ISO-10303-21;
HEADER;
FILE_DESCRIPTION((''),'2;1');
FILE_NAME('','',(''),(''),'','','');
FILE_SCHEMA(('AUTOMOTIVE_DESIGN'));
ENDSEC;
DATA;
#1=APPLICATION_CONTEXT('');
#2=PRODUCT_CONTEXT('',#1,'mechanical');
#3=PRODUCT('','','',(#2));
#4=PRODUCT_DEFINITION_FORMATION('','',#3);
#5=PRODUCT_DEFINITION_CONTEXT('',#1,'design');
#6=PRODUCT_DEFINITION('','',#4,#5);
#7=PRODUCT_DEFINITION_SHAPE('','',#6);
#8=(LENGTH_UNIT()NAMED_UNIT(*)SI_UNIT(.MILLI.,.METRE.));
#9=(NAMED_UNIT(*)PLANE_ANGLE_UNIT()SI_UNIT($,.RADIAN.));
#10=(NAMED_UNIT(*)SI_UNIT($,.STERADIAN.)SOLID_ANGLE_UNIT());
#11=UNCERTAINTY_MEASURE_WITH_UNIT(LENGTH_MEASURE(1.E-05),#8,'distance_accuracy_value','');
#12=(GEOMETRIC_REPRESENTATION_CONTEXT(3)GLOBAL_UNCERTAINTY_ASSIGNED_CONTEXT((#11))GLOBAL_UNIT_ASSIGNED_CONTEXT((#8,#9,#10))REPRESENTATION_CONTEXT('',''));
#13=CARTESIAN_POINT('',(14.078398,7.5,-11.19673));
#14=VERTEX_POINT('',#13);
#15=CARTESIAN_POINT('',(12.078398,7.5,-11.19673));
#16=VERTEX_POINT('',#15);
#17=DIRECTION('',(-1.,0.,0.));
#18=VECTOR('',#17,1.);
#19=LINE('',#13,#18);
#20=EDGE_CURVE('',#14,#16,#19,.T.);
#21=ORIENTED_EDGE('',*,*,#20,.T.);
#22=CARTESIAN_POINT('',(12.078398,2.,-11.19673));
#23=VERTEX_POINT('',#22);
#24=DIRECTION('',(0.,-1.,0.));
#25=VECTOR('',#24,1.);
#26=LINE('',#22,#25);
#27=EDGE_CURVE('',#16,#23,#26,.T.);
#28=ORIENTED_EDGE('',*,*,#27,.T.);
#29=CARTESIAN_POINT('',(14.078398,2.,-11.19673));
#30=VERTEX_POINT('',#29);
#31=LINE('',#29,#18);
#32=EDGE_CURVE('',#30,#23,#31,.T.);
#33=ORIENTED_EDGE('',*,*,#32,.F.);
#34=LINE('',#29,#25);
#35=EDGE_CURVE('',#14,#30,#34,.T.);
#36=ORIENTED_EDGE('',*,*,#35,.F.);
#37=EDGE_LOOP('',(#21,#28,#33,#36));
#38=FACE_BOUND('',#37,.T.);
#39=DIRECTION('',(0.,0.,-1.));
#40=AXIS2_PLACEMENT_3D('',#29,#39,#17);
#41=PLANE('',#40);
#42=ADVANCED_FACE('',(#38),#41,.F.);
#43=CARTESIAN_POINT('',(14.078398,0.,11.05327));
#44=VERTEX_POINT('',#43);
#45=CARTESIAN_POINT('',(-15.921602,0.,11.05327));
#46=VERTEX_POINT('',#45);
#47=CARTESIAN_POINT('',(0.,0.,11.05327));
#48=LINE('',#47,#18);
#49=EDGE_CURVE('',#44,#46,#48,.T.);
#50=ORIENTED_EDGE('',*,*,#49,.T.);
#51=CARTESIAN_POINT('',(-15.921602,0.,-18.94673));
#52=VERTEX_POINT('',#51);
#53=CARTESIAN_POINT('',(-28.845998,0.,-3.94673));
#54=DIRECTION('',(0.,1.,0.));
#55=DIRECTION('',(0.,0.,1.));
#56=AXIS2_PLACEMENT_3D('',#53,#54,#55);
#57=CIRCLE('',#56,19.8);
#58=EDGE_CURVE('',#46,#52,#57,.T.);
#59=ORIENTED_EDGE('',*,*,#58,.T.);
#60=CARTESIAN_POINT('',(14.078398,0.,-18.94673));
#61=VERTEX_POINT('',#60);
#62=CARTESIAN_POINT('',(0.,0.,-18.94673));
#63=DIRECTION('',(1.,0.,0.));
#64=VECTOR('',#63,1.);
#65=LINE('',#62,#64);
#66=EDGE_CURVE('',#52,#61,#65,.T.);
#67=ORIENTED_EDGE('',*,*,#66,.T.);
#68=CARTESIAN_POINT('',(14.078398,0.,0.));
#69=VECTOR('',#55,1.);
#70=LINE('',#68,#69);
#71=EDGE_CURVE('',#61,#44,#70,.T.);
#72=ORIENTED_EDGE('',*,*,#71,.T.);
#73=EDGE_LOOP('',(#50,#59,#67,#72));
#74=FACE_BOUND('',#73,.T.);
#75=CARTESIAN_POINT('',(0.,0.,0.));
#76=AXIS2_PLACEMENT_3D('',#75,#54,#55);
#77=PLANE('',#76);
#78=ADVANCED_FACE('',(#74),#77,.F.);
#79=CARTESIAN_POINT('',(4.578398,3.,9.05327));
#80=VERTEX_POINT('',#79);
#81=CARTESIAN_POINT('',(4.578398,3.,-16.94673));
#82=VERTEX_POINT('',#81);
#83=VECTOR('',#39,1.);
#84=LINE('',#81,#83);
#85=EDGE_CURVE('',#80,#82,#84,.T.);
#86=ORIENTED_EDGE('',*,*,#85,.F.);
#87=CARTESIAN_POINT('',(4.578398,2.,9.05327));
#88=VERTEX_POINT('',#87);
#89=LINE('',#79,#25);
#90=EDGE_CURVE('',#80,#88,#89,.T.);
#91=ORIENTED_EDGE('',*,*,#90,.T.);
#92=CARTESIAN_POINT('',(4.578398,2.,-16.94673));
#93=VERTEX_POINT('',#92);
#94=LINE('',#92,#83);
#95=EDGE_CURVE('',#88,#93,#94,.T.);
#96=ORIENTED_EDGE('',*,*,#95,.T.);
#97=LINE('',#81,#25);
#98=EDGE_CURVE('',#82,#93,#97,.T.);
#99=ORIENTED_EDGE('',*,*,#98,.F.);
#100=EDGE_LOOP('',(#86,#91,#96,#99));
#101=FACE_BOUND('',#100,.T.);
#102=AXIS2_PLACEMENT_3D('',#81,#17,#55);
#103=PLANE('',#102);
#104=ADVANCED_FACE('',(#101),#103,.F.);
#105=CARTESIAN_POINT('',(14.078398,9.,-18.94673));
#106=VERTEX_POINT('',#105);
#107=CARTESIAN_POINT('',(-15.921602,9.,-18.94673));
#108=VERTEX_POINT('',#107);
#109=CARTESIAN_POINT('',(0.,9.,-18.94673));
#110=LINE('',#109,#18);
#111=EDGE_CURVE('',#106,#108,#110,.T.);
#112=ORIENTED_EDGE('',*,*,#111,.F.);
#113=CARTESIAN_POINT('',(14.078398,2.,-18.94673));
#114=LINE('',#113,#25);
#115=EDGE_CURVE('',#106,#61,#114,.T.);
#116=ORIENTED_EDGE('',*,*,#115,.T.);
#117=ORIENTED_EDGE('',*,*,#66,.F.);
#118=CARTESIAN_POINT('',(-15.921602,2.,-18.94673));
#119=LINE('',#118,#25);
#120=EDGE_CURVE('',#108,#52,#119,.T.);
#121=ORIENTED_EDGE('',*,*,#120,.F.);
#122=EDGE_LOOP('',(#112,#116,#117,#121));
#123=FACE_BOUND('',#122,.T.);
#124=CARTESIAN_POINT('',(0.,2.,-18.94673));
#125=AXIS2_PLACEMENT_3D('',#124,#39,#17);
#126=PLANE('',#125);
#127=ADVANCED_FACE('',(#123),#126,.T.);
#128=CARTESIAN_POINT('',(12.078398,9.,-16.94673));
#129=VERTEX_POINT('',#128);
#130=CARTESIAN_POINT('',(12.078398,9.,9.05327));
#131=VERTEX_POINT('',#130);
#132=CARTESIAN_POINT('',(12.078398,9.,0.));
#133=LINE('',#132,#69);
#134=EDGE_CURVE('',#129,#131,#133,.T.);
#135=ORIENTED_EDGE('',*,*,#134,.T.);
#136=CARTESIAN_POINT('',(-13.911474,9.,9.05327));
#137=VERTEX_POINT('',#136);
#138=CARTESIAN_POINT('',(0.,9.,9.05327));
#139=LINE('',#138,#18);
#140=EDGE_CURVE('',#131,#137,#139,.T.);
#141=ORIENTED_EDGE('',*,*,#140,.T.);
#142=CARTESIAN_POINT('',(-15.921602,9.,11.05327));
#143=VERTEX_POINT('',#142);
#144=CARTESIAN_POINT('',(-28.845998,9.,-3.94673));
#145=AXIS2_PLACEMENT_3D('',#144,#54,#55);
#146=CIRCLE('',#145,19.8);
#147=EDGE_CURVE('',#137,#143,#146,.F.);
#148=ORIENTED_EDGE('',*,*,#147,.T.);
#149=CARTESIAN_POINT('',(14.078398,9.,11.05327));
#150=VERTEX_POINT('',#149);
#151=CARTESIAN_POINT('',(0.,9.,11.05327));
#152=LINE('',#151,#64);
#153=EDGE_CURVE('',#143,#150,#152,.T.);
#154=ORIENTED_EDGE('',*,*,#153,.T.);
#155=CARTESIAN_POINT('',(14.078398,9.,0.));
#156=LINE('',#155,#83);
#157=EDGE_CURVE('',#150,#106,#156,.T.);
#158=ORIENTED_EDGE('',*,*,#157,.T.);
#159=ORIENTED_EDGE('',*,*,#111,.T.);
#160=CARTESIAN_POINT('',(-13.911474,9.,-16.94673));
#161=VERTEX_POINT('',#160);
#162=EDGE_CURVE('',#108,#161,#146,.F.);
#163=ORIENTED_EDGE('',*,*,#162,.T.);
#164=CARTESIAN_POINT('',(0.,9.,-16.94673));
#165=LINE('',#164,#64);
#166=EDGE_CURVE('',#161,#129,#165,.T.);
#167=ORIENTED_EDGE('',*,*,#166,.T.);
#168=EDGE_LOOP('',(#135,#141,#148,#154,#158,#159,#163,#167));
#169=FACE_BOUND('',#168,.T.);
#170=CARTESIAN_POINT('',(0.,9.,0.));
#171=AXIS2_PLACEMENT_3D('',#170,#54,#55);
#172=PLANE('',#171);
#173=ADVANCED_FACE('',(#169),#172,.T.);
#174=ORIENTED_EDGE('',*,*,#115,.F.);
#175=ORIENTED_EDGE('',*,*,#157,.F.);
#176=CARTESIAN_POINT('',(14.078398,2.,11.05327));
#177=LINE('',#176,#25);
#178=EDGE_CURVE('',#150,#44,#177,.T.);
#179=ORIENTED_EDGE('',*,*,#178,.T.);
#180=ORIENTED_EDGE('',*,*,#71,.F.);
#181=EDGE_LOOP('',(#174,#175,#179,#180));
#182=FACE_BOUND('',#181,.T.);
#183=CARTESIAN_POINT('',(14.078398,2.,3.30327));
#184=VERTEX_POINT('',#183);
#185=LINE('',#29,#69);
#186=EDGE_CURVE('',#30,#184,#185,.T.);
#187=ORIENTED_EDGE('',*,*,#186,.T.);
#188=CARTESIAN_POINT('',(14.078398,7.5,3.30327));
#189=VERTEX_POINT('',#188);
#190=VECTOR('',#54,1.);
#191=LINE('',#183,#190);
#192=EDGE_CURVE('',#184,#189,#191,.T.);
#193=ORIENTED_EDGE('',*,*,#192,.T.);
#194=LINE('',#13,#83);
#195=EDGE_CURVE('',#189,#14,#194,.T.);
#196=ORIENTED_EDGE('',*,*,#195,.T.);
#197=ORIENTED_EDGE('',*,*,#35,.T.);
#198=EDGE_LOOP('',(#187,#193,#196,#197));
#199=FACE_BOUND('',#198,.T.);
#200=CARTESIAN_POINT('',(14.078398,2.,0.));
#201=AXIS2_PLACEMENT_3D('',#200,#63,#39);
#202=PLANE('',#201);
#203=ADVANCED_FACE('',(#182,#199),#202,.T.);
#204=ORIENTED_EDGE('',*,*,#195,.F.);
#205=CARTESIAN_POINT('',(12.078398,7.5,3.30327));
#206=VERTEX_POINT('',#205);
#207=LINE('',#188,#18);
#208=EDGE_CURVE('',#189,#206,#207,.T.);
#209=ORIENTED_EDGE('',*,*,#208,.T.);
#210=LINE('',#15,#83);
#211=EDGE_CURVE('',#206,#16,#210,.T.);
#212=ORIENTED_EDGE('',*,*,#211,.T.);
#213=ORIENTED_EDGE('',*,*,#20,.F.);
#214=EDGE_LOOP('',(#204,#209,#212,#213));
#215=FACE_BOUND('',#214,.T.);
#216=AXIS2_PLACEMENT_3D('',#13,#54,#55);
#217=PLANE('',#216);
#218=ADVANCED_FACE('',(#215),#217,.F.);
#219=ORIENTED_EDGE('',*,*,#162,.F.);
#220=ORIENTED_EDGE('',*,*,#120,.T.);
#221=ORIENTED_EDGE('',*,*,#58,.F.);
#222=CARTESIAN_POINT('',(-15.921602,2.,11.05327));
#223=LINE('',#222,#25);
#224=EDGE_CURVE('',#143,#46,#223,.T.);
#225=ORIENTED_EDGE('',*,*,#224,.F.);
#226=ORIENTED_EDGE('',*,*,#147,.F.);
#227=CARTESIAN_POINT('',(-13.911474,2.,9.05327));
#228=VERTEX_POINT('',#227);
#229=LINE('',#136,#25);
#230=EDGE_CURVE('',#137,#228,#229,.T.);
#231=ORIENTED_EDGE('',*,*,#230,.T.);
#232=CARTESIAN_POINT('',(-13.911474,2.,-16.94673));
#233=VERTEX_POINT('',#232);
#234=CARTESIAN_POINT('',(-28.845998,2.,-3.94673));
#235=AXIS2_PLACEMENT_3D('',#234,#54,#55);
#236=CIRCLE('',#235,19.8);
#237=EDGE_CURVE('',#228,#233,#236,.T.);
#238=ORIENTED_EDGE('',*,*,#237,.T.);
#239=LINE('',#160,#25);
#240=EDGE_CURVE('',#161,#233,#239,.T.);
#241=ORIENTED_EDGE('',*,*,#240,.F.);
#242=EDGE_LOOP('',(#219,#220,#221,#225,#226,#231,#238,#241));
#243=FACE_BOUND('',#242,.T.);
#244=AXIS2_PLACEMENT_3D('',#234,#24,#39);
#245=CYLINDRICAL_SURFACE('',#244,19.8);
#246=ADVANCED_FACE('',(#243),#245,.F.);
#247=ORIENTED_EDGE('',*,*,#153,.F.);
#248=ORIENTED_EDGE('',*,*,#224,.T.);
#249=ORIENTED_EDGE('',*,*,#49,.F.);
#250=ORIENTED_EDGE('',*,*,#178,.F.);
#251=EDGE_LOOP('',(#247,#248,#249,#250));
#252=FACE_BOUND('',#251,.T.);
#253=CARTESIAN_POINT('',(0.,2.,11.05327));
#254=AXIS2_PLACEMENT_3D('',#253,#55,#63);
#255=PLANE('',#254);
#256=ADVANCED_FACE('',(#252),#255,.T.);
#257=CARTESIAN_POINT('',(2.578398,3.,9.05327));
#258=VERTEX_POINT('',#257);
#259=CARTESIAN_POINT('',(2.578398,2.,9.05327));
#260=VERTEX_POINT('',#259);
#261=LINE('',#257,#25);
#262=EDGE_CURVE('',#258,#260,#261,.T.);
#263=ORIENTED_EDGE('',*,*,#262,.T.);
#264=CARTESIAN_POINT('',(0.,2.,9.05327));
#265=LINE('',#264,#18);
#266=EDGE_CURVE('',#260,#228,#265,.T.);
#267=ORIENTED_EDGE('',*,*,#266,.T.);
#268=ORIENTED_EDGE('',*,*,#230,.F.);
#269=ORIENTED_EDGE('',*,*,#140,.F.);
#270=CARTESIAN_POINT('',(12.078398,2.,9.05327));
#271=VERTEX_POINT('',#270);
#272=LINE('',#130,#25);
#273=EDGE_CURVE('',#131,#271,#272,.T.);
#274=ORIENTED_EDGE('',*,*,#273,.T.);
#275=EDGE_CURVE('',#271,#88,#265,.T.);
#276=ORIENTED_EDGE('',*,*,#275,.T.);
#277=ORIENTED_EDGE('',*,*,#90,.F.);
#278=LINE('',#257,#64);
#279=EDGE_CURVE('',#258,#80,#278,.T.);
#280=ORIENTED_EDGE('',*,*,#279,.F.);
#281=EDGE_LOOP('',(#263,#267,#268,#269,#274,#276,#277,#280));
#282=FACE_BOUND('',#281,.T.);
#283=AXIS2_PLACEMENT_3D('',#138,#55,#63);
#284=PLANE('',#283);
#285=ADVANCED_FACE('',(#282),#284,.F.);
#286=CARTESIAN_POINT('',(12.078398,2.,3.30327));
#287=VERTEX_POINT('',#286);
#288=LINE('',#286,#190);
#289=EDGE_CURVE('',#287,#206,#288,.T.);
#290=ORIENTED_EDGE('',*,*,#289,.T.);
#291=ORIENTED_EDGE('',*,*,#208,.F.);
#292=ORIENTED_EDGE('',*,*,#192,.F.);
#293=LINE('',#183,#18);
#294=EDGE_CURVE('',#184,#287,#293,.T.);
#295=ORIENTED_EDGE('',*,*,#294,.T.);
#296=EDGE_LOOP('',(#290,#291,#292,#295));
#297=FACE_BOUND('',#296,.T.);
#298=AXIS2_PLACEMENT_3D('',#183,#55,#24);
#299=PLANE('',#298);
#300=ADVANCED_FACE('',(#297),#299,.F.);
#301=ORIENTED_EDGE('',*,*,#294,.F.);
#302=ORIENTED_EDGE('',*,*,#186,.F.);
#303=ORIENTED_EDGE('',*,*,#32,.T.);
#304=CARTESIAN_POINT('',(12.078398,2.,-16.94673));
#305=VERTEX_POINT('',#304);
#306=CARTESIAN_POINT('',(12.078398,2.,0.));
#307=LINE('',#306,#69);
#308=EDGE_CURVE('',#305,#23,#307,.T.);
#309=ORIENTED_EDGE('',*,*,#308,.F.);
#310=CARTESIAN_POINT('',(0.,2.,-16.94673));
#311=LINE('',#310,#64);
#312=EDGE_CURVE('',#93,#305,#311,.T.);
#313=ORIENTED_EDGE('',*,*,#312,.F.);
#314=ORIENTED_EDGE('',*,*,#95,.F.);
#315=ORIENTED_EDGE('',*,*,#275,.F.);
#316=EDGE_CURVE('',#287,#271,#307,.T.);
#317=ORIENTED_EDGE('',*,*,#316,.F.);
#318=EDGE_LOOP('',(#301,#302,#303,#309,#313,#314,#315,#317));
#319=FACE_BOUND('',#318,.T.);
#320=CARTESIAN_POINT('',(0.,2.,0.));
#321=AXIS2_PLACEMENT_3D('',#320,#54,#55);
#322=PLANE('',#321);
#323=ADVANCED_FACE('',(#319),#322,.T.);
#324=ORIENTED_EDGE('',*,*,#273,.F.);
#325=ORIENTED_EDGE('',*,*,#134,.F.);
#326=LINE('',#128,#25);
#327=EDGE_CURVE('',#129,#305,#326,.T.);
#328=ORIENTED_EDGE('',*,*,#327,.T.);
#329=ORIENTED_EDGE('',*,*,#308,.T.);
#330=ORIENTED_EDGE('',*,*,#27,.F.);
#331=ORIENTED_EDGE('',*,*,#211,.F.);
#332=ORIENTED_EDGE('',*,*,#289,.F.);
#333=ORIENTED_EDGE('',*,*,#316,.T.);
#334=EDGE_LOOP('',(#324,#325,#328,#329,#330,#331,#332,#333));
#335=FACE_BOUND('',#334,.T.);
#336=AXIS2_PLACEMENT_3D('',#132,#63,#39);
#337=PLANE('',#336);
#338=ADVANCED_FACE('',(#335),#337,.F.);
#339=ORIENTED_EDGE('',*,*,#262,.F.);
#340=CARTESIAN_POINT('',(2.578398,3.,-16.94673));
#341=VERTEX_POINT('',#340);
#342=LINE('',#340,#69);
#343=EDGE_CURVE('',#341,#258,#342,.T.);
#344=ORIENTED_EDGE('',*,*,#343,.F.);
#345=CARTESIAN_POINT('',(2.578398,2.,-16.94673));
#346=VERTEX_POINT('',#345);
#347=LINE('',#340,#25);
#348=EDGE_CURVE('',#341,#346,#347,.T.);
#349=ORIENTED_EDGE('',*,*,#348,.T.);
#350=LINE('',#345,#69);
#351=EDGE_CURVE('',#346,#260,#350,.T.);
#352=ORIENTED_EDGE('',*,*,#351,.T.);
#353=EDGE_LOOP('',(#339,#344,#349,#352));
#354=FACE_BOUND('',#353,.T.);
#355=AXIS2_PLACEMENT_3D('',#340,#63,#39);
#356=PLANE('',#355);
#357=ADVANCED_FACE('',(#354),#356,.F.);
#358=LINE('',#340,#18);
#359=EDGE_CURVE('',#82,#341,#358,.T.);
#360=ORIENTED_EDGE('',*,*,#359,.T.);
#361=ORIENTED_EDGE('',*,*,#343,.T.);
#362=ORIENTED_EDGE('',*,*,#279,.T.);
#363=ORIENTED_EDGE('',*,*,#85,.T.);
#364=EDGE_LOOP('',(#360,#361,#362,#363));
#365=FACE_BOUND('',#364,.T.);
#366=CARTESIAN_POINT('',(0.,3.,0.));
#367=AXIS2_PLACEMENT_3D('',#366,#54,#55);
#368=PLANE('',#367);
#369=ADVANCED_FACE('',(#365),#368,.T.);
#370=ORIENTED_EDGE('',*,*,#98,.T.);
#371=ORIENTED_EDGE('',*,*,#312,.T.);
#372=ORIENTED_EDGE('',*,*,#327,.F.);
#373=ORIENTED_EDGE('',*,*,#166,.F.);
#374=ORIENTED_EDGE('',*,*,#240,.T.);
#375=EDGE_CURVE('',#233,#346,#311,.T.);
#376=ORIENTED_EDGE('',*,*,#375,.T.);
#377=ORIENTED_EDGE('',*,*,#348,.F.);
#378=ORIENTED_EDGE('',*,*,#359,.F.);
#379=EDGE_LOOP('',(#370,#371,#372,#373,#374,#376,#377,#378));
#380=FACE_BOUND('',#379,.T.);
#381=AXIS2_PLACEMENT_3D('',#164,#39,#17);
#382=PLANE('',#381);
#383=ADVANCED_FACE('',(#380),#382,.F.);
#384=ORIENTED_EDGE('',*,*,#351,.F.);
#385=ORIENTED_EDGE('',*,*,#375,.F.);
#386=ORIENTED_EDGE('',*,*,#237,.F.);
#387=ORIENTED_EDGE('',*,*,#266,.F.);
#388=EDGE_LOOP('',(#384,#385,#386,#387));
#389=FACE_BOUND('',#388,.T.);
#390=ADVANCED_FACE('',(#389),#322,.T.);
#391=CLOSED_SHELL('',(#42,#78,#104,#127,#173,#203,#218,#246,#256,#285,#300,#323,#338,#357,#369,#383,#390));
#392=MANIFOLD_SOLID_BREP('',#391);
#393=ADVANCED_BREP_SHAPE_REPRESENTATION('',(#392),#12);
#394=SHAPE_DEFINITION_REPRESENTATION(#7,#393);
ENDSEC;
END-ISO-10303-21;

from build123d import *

# Parameters (mm, degrees)
EXTRUDE_1_DEPTH     = 2
EXTRUDE_2_DEPTH     = 7
SKETCH_3_W          = 14.5
SKETCH_3_H          = 5.5
CUT_EXTRUDE_1_DEPTH = 2
SKETCH_4_W          = 2
SKETCH_4_H          = 26
EXTRUDE_3_DEPTH     = 1


with BuildPart() as part:
    # 草图1 → 凸台-拉伸1 (new body)
    with BuildSketch(Plane(origin=(0, 0, 0), x_dir=(1, 0, 0), z_dir=(0, 1, 0))):
        with BuildLine():
            Line((14.078397583, 18.946730462), (-15.921602417, 18.946730462))
            ThreePointArc((-15.921602417, 18.946730462), (-10.846789199, 12.197093132), (-9.045997954, 3.946730462))
            ThreePointArc((-9.045997954, 3.946730462), (-10.846789199, -4.303632207), (-15.921602417, -11.053269538))
            Line((-15.921602417, -11.053269538), (14.078397583, -11.053269538))
            Line((14.078397583, -11.053269538), (14.078397583, 18.946730462))
        make_face()
    extrude(amount=EXTRUDE_1_DEPTH)

    # 草图2 → 凸台-拉伸2 (add)
    with BuildSketch(Plane(origin=(0, 2, 0), x_dir=(1, 0, 0), z_dir=(0, 1, 0))):
        with BuildLine():
            Line((14.078397583, 18.946730462), (-15.921602417, 18.946730462))
            ThreePointArc((-15.921602417, 18.946730462), (-14.880689288, 17.982761022), (-13.911474192, 16.946730462))
            Line((-13.911474192, 16.946730462), (12.078397583, 16.946730462))
            Line((12.078397583, 16.946730462), (12.078397583, -9.053269538))
            Line((12.078397583, -9.053269538), (-13.911474192, -9.053269538))
            ThreePointArc((-13.911474192, -9.053269538), (-14.880689288, -10.089300097), (-15.921602417, -11.053269538))
            Line((-15.921602417, -11.053269538), (14.078397583, -11.053269538))
            Line((14.078397583, -11.053269538), (14.078397583, 18.946730462))
        make_face()
    extrude(amount=EXTRUDE_2_DEPTH)

    # 草图3 → 切除-拉伸1 (cut)
    with BuildSketch(Plane.ZY.offset(-12.078397583)):
        with Locations((-3.946730462, 4.75)):
            Rectangle(SKETCH_3_W, SKETCH_3_H)
    extrude(amount=-CUT_EXTRUDE_1_DEPTH, mode=Mode.SUBTRACT)

    # 草图4 → 凸台-拉伸3 (add)
    with BuildSketch(Plane(origin=(0, 2, 0), x_dir=(1, 0, 0), z_dir=(0, 1, 0))):
        with Locations((3.578397583, 3.946730462)):
            Rectangle(SKETCH_4_W, SKETCH_4_H)
    extrude(amount=EXTRUDE_3_DEPTH)


solid = part.part
